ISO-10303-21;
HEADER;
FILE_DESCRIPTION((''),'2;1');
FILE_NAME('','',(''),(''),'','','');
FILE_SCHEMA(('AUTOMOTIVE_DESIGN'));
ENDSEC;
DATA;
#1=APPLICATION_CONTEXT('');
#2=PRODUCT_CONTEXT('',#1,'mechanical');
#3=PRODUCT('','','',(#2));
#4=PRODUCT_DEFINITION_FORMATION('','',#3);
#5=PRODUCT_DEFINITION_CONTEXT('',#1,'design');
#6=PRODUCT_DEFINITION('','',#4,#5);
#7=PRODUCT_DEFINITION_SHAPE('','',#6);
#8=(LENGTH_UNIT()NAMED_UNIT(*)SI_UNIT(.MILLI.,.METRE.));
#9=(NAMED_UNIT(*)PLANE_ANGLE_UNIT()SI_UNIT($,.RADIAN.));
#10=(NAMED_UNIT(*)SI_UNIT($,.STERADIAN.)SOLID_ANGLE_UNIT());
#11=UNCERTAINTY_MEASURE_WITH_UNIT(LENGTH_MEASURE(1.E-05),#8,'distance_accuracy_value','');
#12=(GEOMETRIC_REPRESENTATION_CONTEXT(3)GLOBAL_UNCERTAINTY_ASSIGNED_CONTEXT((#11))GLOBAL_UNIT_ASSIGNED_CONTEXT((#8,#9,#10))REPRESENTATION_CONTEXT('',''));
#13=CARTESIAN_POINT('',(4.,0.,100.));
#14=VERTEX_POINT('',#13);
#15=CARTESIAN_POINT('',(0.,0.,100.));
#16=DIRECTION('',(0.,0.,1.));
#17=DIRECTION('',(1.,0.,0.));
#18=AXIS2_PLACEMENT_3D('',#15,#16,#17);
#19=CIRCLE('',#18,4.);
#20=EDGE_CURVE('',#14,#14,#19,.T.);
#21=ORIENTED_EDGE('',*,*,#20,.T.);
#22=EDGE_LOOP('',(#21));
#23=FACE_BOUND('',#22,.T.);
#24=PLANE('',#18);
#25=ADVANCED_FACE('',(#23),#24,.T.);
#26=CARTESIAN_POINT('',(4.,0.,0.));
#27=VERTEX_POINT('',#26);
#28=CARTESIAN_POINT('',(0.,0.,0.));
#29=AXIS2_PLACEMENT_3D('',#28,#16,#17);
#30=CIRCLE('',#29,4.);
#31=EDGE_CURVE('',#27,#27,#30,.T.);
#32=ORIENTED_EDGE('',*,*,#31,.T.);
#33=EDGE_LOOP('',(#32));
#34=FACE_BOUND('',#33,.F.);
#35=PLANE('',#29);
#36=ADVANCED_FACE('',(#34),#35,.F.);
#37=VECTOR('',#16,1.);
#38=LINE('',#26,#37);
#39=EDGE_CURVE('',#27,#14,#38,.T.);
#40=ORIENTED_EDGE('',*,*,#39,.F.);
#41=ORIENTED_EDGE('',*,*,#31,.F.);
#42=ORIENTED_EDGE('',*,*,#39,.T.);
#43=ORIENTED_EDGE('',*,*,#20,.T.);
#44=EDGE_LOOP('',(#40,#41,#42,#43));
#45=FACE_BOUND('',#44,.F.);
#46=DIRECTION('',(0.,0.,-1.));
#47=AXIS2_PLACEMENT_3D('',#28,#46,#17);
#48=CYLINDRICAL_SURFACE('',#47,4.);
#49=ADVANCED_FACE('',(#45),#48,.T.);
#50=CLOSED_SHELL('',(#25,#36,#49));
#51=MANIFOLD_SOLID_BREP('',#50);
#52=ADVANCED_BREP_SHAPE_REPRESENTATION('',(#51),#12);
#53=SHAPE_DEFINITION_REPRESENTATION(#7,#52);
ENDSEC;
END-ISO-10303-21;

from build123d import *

# Parameters (mm, degrees)
SKETCH_R  = 4
PAD_DEPTH = 100


with BuildPart() as part:
    # Sketch → Pad (new body)
    with BuildSketch(Plane.XY):
        Circle(SKETCH_R)
    extrude(amount=PAD_DEPTH)


solid = part.part
